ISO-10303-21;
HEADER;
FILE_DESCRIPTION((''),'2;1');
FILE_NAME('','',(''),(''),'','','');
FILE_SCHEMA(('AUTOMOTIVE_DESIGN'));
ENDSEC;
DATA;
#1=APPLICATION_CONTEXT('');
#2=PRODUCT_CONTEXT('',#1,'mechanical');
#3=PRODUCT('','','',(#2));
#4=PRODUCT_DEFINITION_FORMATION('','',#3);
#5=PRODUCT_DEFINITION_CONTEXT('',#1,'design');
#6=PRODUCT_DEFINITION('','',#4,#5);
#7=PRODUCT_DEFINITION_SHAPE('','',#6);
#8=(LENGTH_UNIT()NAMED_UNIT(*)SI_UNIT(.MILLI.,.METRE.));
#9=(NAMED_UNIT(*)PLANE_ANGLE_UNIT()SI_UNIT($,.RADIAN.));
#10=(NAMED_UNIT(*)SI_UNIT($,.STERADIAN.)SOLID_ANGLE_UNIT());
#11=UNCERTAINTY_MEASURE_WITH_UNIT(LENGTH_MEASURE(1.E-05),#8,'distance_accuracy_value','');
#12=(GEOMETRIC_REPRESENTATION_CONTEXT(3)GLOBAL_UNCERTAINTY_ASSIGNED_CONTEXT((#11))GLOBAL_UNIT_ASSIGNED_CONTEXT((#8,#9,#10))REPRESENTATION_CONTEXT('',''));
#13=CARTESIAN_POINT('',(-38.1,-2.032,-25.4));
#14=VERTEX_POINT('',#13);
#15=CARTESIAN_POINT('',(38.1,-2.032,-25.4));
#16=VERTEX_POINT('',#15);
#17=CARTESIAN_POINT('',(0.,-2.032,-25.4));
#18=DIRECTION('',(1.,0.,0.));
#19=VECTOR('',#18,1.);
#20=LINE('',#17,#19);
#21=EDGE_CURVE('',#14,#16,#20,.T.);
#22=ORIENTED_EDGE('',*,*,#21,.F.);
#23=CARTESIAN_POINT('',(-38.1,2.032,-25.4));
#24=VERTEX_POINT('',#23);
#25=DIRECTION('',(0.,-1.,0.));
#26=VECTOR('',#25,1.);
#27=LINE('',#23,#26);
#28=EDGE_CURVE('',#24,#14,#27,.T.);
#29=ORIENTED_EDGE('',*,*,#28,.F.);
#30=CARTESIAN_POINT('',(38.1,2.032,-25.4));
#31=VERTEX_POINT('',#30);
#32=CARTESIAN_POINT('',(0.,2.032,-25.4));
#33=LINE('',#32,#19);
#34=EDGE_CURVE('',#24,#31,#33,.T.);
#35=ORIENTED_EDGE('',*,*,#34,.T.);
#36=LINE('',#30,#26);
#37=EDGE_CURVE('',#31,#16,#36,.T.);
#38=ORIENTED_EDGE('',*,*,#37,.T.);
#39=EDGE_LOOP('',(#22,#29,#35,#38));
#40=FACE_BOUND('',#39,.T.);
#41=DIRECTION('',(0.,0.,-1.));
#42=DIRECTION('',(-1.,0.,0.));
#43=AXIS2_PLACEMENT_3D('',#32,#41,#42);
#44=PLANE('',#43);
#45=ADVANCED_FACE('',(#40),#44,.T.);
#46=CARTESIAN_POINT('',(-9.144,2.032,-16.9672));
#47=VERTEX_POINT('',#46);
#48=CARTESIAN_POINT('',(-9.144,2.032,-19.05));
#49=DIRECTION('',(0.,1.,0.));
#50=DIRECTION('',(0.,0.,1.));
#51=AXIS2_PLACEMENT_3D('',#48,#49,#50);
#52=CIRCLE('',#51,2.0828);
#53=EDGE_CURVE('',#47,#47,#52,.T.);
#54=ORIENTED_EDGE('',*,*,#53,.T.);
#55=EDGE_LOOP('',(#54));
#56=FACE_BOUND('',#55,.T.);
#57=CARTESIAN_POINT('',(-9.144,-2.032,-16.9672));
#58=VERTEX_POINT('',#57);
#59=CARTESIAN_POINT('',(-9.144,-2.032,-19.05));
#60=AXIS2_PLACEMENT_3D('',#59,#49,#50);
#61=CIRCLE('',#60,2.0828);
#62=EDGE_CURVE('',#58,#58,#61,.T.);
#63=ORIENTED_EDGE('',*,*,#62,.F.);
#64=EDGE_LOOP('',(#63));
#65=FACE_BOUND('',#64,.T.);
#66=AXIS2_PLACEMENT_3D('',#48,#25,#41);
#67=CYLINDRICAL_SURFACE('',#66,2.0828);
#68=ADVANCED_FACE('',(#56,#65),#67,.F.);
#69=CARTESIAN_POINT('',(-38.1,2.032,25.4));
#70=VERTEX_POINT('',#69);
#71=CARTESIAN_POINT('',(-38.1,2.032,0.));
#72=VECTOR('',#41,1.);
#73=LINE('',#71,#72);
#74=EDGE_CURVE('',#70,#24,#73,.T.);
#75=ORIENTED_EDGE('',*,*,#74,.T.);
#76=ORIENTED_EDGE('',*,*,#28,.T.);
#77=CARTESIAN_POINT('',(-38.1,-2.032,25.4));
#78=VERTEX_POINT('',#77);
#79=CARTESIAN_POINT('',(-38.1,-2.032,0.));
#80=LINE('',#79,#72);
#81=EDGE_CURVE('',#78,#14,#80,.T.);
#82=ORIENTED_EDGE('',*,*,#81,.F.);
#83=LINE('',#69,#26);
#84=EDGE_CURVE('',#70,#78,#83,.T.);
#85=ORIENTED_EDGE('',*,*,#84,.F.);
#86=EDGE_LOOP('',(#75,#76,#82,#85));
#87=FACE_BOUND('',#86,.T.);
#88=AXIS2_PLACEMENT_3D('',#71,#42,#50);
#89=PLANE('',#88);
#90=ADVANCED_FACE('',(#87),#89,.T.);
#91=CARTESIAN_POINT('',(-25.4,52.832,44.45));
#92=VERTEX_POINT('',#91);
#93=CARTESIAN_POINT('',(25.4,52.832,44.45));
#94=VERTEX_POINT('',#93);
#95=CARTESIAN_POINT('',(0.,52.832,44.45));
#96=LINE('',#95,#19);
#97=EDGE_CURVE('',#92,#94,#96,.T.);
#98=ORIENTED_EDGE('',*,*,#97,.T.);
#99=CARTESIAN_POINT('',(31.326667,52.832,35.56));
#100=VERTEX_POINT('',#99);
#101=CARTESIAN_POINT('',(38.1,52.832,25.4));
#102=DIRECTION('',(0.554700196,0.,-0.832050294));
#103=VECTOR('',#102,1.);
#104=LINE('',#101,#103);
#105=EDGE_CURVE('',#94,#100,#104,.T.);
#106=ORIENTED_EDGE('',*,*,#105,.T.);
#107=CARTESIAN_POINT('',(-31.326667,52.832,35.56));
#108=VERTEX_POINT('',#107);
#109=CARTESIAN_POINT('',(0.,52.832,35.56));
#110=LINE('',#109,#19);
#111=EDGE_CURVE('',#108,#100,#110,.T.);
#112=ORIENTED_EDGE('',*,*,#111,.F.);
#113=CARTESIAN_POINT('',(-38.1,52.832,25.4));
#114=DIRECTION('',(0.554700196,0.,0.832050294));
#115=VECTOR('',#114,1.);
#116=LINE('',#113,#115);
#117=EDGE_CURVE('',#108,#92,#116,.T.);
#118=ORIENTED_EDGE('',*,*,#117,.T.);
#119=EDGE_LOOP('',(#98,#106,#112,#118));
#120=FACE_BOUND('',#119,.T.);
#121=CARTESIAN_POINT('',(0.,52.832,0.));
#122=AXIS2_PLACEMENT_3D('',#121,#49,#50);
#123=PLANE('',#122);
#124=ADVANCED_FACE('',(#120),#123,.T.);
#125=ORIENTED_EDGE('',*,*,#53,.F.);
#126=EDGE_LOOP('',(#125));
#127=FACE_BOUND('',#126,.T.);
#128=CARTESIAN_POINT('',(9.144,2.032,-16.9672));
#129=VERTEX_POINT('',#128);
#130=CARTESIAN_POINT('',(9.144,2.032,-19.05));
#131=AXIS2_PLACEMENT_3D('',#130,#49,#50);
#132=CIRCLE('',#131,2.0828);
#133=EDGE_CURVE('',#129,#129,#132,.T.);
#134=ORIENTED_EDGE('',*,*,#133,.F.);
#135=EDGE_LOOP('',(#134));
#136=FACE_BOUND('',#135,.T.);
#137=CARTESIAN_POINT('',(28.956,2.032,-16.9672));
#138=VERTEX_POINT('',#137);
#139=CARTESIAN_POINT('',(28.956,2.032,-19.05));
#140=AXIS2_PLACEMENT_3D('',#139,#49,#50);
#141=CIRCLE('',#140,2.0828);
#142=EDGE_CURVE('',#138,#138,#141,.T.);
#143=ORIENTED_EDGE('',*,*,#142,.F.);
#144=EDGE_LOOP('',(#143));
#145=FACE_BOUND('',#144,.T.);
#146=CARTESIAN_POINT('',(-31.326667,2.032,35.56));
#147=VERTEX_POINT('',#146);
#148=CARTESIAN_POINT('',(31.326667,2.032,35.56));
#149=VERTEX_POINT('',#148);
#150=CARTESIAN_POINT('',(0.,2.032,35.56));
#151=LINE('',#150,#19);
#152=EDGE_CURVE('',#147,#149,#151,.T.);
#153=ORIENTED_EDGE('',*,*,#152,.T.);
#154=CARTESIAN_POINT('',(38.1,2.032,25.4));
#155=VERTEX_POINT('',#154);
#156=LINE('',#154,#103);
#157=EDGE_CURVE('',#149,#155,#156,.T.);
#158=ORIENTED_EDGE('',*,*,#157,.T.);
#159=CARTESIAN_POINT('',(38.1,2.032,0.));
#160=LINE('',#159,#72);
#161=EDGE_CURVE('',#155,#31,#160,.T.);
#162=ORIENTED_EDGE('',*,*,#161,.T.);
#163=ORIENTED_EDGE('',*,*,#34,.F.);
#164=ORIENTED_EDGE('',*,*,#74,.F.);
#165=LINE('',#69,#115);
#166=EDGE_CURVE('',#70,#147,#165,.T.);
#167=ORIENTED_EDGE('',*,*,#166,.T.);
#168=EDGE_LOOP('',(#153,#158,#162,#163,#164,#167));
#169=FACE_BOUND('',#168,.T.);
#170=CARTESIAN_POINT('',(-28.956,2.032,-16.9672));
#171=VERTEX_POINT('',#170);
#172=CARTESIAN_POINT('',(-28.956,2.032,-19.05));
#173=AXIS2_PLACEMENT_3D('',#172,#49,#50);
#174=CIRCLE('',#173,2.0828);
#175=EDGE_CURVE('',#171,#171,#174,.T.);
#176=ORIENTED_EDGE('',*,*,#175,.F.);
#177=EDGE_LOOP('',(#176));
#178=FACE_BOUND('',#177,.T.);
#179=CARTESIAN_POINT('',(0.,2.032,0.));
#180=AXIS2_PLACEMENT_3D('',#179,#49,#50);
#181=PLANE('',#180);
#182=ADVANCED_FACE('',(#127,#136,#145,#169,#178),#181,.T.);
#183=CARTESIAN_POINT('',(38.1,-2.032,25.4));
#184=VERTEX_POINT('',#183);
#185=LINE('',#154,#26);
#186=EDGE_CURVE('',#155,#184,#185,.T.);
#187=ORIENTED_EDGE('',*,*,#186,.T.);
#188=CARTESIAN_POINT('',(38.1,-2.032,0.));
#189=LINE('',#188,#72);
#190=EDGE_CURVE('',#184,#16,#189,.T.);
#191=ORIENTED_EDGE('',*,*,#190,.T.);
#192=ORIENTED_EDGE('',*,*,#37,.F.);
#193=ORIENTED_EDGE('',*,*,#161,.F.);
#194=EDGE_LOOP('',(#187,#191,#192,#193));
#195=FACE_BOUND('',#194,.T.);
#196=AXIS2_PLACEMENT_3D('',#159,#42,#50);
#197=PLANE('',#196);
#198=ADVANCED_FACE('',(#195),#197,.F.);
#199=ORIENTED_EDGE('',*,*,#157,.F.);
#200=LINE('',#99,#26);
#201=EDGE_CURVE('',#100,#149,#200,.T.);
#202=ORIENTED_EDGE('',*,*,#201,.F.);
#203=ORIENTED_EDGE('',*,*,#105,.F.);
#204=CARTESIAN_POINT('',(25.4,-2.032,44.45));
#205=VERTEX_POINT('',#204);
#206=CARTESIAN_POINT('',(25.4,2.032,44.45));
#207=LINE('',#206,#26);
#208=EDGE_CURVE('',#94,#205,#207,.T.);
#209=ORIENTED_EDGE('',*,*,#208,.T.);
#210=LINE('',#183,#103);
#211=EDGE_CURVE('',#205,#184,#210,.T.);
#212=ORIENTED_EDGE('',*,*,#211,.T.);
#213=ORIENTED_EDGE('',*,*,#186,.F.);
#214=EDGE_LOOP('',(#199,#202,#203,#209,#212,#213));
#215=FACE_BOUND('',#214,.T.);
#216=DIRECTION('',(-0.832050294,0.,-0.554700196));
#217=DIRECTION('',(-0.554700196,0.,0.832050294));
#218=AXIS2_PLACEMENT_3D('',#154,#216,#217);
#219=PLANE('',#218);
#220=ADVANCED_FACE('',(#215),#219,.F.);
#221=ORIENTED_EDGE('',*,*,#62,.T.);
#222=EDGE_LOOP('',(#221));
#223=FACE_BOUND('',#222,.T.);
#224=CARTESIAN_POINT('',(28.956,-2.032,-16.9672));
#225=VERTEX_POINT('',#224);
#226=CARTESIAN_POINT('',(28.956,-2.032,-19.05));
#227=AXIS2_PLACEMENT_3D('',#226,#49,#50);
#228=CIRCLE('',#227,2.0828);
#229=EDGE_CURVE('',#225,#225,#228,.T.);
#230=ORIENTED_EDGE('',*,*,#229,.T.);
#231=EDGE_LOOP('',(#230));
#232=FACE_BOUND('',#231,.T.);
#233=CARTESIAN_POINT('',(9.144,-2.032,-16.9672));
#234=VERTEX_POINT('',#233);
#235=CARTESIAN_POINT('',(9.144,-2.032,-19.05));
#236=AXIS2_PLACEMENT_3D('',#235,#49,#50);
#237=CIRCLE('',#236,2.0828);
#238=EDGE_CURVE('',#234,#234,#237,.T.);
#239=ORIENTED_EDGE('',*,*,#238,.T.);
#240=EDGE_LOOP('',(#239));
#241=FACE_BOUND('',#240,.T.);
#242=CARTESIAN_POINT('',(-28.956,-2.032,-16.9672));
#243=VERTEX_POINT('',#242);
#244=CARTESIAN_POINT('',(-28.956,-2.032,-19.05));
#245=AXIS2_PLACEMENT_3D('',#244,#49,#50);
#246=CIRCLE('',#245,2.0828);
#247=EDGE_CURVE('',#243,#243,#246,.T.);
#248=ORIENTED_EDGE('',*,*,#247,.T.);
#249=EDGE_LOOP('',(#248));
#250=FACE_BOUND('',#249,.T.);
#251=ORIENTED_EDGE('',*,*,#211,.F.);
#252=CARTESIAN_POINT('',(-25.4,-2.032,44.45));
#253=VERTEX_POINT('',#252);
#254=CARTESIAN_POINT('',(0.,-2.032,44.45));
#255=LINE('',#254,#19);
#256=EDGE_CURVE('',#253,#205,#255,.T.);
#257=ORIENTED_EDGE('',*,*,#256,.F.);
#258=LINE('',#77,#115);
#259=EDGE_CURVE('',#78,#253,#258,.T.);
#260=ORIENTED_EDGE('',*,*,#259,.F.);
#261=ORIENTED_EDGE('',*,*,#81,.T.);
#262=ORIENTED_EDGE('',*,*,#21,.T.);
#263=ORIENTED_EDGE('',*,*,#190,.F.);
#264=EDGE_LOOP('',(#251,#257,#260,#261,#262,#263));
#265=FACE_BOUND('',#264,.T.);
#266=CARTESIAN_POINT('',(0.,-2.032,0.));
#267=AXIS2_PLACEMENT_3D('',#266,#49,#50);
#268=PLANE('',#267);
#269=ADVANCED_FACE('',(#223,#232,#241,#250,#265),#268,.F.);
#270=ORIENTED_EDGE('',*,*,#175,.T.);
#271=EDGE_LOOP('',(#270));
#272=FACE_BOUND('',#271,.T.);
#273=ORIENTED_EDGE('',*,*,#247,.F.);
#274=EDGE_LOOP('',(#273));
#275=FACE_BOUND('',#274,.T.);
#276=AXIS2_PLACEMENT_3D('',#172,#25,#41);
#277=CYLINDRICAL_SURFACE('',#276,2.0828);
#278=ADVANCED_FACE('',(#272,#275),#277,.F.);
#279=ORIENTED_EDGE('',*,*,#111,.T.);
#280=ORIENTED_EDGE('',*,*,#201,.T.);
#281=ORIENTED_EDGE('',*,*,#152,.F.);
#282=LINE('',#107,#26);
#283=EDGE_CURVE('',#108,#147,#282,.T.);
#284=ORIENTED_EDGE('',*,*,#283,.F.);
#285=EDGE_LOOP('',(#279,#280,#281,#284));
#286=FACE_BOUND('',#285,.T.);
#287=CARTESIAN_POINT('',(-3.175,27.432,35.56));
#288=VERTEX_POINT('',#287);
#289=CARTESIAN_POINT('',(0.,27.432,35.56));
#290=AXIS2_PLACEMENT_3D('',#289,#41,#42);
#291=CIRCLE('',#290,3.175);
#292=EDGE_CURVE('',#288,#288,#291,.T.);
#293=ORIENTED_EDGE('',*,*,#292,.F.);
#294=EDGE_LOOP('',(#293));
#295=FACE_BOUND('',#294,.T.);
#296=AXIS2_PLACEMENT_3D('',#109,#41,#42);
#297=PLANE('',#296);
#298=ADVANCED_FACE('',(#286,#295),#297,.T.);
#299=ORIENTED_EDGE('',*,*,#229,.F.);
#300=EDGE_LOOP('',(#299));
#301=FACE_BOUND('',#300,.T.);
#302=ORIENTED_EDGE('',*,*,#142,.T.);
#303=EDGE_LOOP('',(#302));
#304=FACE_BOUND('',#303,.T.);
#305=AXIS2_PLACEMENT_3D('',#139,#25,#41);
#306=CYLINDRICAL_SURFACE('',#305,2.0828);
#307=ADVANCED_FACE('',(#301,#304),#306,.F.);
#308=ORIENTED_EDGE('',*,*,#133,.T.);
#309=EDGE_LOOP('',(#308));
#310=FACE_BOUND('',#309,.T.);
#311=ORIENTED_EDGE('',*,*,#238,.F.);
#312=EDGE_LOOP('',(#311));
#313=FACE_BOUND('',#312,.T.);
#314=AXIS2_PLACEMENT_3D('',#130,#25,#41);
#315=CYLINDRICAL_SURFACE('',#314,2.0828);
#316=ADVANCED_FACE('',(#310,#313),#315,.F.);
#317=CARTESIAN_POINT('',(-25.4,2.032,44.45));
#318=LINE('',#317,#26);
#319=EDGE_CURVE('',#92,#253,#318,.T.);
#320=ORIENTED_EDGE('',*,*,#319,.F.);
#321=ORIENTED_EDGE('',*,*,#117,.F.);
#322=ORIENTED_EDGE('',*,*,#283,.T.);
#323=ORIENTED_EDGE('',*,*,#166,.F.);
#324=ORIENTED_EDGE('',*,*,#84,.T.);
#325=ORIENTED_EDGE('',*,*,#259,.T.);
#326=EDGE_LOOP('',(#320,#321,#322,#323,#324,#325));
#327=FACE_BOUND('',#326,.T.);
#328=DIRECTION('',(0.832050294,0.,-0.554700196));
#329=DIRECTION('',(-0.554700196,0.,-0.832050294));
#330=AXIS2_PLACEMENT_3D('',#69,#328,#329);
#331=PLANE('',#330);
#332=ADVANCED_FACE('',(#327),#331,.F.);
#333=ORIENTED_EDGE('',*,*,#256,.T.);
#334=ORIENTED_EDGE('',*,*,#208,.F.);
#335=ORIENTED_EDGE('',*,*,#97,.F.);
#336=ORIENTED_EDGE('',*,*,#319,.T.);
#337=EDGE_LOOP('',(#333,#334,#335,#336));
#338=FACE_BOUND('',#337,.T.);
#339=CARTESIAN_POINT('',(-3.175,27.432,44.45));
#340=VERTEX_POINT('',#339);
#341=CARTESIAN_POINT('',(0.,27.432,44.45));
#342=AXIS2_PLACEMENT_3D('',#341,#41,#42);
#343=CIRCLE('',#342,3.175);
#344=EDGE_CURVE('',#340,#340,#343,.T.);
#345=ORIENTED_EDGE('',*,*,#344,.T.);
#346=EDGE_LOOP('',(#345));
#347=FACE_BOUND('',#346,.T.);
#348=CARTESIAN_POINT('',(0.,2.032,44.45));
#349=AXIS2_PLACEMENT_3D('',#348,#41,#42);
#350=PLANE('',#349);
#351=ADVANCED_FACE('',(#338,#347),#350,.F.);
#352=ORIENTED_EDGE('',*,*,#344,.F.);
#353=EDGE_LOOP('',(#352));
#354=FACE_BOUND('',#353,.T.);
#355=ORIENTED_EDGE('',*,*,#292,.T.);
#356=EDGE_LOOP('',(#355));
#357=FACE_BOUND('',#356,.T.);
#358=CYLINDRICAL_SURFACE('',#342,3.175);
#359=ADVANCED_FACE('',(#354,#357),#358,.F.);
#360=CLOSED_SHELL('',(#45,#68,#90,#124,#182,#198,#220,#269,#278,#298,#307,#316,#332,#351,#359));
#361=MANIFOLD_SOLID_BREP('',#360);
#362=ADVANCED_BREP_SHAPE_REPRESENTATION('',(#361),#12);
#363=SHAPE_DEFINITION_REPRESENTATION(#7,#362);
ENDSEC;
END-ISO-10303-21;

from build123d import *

# Parameters (mm, degrees)
SKETCH1_W           = 76.2
SKETCH1_H           = 50.8
SKETCH1_R           = 2.0828
BOSS_EXTRUDE1_DEPTH = 2.032
BOSS_EXTRUDE2_DEPTH = 50.8
CUT_EXTRUDE1_DEPTH  = 9.89


with BuildPart() as part:
    # Sketch1 → Boss-Extrude1 (new body, symmetric)
    with BuildSketch(Plane(origin=(0, 0, 0), x_dir=(1, 0, 0), z_dir=(0, 1, 0))):
        Rectangle(SKETCH1_W, SKETCH1_H)
        with Locations((28.956, 19.05)):
            Circle(SKETCH1_R, mode=Mode.SUBTRACT)
        with Locations((9.144, 19.05)):
            Circle(SKETCH1_R, mode=Mode.SUBTRACT)
        with Locations((-9.144, 19.05)):
            Circle(SKETCH1_R, mode=Mode.SUBTRACT)
        with Locations((-28.956, 19.05)):
            Circle(SKETCH1_R, mode=Mode.SUBTRACT)
        Polygon((-25.4, -44.45), (25.4, -44.45), (38.1, -25.4), (-38.1, -25.4), align=None)
    extrude(amount=BOSS_EXTRUDE1_DEPTH, both=True)

    # Sketch2 → Boss-Extrude2 (add)
    with BuildSketch(Plane(origin=(0, 2.032, 0), x_dir=(1, 0, 0), z_dir=(0, 1, 0))):
        Polygon((-31.326666667, -35.56), (-25.4, -44.45), (25.4, -44.45), (31.326666667, -35.56), align=None)
    extrude(amount=BOSS_EXTRUDE2_DEPTH)

    # Sketch3 → Cut-Extrude1 (cut, through all)
    with BuildSketch(Plane(origin=(0, 0, 35.56), x_dir=(-1, 0, 0), z_dir=(0, 0, -1))):
        with BuildLine():
            ThreePointArc((-2.466199502, 25.432378782), (0, 24.257), (2.466199502, 25.432378782))
            Line((2.466199502, 25.432378782), (0, 27.432))
            Line((0, 27.432), (-2.466199502, 25.432378782))
        make_face()
        with BuildLine():
            Line((0, 27.432), (2.466199502, 25.432378782))
            ThreePointArc((2.466199502, 25.432378782), (2.992558138, 26.371235752), (3.175, 27.432))
            ThreePointArc((3.175, 27.432), (2.992558138, 28.492764248), (2.466199502, 29.431621218))
            Line((2.466199502, 29.431621218), (0, 27.432))
        make_face()
        with BuildLine():
            Line((-2.466199502, 25.432378782), (0, 27.432))
            Line((0, 27.432), (-2.466199502, 29.431621218))
            ThreePointArc((-2.466199502, 29.431621218), (-3.175, 27.432), (-2.466199502, 25.432378782))
        make_face()
        with BuildLine():
            Line((-2.466199502, 29.431621218), (0, 27.432))
            Line((0, 27.432), (2.466199502, 29.431621218))
            ThreePointArc((2.466199502, 29.431621218), (0, 30.607), (-2.466199502, 29.431621218))
        make_face()
    extrude(amount=-CUT_EXTRUDE1_DEPTH, mode=Mode.SUBTRACT)


solid = part.part
